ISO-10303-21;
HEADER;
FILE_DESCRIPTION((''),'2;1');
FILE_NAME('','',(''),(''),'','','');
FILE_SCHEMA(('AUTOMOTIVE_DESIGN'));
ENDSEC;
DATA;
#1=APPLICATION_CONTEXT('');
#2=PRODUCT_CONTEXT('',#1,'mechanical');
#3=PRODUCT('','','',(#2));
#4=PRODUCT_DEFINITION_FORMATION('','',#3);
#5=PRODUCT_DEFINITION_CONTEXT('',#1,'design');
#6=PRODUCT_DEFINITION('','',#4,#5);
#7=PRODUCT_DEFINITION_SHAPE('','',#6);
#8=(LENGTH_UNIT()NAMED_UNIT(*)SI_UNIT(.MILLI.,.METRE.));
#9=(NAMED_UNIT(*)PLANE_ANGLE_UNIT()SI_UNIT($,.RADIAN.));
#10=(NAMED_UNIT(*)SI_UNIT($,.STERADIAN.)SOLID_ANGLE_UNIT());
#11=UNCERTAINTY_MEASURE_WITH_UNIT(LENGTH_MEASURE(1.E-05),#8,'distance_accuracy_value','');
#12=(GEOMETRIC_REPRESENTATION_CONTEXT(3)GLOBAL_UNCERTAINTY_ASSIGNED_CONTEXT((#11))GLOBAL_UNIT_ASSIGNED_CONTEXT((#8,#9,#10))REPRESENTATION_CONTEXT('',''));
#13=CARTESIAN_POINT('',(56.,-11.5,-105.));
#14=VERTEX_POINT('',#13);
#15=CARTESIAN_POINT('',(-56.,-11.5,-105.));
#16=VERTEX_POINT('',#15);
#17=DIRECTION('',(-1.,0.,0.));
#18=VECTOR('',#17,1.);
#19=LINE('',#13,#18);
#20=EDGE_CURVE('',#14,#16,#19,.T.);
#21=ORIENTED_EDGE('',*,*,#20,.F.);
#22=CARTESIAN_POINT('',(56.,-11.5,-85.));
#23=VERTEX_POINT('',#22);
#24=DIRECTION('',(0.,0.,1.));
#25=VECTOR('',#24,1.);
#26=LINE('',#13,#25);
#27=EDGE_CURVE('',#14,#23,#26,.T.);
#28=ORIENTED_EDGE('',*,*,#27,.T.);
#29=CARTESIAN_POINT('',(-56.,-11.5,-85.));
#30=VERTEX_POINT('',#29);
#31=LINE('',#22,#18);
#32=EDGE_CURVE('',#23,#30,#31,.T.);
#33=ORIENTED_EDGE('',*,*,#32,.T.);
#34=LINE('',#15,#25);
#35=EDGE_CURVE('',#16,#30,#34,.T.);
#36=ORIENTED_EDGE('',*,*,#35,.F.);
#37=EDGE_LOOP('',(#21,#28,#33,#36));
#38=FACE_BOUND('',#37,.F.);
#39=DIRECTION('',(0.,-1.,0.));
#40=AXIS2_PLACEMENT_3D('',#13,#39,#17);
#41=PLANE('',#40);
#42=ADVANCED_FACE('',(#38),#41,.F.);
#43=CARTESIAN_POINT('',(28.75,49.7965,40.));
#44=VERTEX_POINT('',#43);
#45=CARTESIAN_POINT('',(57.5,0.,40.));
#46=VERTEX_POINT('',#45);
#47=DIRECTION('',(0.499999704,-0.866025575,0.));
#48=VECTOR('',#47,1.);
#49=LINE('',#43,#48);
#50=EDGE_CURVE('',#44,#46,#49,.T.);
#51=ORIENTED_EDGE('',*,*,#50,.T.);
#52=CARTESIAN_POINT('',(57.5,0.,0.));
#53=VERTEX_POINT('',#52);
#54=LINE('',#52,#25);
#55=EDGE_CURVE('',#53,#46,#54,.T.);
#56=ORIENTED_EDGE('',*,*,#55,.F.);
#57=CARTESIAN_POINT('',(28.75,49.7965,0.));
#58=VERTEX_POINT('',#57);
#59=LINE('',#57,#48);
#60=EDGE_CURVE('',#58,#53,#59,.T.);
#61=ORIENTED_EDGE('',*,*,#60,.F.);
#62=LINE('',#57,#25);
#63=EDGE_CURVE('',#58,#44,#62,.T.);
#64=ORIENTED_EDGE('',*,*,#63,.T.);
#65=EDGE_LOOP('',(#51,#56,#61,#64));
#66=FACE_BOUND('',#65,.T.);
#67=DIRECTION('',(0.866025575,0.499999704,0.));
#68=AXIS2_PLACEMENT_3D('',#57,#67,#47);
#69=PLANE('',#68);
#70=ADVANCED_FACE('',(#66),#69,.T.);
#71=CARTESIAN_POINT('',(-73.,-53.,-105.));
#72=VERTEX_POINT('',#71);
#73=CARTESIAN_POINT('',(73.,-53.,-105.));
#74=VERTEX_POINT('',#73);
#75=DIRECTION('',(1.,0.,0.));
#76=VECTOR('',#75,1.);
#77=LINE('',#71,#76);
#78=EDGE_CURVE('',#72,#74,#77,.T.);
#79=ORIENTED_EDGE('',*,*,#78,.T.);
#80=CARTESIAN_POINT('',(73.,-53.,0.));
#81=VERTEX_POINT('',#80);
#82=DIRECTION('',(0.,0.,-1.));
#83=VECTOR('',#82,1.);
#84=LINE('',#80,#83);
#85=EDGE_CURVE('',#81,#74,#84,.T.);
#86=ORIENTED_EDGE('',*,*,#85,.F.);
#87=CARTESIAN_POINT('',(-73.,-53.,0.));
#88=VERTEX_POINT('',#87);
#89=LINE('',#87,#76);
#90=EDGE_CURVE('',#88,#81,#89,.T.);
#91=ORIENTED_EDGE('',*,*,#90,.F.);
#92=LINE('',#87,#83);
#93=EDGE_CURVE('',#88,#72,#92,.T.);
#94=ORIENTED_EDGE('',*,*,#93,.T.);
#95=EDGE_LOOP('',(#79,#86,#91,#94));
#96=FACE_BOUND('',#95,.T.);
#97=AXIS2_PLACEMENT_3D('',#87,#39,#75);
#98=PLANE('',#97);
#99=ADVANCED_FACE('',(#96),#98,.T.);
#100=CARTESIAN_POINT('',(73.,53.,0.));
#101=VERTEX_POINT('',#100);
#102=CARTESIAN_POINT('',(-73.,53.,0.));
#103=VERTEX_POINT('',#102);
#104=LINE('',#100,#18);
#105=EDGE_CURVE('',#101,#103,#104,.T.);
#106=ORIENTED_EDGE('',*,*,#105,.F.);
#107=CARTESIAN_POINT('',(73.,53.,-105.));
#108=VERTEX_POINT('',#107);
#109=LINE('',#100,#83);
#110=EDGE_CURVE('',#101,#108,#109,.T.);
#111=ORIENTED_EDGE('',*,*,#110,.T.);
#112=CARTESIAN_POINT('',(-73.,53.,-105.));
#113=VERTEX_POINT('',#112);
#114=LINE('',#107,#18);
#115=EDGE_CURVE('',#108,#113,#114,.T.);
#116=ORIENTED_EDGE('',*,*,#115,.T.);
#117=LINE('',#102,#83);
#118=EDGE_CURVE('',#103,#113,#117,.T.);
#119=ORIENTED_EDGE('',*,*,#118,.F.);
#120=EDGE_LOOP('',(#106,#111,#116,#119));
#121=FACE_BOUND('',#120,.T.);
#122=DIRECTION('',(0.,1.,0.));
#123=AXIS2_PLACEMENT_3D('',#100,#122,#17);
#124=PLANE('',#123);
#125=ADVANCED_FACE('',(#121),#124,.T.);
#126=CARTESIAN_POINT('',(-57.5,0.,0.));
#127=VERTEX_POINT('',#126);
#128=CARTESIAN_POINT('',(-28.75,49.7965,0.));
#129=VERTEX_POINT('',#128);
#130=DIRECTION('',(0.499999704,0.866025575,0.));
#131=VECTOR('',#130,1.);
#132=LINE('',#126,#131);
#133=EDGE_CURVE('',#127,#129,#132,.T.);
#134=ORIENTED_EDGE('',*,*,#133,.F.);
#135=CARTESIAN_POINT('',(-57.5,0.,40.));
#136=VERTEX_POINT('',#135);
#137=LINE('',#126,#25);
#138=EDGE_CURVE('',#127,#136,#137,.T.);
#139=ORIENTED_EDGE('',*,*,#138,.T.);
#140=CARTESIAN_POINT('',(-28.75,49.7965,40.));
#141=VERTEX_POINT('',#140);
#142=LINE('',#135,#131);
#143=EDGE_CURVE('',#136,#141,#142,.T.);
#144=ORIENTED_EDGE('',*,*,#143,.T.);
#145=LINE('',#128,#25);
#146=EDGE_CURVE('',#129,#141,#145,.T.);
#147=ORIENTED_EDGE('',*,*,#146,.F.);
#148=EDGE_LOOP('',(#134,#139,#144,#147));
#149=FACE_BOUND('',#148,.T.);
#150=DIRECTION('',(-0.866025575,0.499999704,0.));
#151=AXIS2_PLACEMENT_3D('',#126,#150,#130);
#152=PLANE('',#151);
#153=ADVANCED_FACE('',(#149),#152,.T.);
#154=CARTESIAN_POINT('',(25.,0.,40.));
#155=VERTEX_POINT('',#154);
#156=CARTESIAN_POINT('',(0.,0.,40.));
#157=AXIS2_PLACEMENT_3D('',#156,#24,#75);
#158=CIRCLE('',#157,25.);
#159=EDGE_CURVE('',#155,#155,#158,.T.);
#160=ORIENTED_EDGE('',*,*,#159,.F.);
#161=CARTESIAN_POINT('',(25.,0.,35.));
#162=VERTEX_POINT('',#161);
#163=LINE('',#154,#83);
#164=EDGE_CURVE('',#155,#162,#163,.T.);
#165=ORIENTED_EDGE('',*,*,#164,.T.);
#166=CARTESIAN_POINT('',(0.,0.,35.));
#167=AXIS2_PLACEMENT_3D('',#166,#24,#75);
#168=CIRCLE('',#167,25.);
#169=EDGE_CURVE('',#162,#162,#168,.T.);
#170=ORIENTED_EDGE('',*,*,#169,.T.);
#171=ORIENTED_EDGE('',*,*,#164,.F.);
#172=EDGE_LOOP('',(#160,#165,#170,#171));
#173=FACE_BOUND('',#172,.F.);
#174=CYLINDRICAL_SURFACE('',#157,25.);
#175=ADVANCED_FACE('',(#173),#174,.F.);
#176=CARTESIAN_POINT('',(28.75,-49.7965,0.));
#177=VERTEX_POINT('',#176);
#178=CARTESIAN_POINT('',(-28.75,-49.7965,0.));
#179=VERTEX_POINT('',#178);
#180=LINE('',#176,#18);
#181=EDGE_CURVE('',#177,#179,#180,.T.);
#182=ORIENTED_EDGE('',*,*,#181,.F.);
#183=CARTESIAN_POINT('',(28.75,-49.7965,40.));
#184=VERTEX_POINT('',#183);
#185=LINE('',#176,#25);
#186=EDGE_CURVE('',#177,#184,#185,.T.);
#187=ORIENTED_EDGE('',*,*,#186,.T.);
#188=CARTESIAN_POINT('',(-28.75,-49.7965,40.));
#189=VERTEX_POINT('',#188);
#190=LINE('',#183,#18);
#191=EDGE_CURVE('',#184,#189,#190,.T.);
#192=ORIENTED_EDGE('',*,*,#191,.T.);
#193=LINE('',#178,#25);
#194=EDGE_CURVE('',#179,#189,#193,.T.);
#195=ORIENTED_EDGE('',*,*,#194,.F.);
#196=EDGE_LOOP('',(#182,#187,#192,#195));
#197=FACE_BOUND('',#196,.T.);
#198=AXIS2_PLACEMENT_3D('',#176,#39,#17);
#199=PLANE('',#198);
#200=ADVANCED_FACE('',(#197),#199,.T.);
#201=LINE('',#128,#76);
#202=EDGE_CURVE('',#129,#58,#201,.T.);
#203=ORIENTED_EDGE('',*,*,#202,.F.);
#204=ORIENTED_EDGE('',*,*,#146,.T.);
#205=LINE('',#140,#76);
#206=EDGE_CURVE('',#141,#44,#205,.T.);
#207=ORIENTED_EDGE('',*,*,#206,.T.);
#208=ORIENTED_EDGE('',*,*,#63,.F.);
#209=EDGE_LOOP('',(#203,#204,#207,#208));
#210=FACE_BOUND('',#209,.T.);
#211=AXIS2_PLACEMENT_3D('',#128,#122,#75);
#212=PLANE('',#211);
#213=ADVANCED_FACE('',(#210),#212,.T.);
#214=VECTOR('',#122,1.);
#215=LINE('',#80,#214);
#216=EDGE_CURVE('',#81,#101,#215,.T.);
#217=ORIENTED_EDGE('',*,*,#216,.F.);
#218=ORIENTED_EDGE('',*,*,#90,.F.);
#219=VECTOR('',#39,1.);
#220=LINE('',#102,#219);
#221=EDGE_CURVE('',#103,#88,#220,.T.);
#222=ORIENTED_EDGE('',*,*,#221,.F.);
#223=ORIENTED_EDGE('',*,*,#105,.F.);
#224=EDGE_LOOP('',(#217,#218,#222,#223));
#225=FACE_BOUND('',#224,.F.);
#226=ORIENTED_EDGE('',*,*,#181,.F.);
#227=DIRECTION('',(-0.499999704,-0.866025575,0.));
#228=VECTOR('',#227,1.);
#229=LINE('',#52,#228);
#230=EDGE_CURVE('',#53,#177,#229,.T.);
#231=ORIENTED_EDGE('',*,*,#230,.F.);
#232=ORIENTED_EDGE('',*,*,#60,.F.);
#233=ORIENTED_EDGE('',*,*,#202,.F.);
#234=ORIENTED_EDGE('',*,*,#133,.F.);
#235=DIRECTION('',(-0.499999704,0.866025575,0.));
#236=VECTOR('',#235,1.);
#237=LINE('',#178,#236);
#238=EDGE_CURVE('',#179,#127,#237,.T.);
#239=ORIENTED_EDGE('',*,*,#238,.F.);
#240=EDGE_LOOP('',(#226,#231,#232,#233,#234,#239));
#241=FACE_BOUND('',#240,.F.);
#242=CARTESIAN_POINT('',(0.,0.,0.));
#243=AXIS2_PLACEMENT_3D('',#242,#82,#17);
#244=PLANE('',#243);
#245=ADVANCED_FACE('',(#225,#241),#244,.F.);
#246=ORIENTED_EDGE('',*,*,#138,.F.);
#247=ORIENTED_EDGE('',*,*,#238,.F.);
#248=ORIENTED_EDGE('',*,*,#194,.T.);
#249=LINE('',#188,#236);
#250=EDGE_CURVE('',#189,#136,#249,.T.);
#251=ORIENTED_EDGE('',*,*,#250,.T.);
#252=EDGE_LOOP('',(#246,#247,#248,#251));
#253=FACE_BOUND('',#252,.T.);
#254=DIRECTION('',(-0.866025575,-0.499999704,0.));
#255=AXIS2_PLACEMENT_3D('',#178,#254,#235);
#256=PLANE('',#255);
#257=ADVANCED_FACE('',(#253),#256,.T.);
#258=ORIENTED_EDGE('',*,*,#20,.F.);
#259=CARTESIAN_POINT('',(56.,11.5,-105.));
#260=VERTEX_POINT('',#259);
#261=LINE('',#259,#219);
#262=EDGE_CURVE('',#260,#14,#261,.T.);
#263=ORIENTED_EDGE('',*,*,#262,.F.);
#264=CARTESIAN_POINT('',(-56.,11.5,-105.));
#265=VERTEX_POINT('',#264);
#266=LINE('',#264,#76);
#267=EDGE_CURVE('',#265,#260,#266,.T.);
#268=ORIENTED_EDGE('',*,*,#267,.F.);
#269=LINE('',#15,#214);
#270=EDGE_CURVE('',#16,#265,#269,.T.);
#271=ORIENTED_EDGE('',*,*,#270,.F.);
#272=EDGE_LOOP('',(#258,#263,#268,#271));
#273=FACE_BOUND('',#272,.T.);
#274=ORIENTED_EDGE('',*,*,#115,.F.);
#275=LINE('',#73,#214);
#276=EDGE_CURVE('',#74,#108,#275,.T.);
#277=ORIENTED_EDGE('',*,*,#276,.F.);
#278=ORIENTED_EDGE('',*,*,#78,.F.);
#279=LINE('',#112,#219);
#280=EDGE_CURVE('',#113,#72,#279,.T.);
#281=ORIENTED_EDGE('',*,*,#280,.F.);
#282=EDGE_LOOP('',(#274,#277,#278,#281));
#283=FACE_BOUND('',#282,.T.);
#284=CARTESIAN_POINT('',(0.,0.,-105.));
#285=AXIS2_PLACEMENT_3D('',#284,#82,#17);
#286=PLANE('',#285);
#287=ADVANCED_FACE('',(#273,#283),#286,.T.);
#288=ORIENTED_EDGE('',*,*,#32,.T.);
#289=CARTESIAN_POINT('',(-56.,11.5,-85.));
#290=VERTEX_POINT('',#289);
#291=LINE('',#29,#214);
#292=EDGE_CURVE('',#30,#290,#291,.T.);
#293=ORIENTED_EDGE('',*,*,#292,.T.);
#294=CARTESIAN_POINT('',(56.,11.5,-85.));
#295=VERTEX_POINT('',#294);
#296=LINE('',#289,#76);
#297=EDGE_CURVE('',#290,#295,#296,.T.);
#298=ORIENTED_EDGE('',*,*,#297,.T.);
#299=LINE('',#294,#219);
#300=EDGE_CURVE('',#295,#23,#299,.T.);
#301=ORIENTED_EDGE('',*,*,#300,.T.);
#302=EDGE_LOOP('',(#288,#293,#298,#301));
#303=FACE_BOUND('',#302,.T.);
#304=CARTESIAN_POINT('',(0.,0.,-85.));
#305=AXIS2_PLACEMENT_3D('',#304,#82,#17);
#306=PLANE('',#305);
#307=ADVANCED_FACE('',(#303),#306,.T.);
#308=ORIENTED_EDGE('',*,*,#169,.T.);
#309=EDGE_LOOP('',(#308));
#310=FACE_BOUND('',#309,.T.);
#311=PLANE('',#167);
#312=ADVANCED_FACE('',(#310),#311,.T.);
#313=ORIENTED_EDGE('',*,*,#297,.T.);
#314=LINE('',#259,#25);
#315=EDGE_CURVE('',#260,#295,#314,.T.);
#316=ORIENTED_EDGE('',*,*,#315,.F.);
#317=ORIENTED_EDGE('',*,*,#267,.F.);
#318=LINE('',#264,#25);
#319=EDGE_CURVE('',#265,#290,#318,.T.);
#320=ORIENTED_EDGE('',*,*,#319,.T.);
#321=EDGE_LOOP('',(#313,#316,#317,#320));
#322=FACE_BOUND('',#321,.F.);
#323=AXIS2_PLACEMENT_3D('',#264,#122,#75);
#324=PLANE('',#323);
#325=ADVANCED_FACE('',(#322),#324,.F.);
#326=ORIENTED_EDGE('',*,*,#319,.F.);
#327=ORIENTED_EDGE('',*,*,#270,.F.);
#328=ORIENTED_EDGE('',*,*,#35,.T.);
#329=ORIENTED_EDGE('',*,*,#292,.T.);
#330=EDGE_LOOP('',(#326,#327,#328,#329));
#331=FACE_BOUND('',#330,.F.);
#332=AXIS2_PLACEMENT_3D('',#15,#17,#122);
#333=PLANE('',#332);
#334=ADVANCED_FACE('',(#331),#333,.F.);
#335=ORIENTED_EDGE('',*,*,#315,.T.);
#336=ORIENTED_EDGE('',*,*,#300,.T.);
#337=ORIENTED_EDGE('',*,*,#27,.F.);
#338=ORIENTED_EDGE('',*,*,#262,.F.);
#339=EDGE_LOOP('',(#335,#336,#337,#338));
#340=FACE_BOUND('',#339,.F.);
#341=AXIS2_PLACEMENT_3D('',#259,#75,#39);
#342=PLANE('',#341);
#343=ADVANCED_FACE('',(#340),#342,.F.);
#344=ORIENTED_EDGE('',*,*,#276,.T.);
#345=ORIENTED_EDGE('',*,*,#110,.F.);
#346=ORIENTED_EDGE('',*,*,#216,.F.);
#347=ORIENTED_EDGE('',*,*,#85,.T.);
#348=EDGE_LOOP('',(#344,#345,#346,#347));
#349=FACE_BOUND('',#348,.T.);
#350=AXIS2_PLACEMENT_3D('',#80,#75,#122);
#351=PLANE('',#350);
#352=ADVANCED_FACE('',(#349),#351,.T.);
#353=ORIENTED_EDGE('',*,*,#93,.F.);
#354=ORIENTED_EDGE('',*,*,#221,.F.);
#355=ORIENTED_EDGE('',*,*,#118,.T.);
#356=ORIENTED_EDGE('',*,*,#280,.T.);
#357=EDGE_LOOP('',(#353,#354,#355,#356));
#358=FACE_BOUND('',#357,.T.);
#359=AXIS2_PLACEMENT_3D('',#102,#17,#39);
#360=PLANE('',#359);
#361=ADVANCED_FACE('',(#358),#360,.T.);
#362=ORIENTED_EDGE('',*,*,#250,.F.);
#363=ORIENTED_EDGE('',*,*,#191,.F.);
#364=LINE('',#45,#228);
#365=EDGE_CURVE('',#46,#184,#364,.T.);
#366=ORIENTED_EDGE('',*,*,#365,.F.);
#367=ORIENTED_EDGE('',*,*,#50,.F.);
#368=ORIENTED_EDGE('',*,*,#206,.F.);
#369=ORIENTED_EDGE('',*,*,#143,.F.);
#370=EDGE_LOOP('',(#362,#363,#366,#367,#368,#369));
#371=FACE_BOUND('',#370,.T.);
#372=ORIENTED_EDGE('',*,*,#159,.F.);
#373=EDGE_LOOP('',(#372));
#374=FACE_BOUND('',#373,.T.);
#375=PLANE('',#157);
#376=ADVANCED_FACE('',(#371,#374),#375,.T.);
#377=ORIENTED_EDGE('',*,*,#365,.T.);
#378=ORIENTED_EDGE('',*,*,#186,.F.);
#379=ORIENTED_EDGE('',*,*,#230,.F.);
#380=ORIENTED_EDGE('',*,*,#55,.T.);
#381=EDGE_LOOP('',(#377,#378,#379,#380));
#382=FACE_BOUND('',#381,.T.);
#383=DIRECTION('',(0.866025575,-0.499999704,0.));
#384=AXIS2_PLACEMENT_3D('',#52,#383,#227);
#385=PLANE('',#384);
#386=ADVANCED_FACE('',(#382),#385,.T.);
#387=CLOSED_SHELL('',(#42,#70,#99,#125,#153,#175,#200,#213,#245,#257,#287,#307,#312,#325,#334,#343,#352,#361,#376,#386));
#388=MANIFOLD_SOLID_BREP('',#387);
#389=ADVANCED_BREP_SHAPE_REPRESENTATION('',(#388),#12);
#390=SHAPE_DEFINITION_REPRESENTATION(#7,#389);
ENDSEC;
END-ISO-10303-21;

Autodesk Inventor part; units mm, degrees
ref_plane "YZ Plane" through (0, 0, 0) normal (1, 0, 0) x (0, 1, 0)
ref_plane "XZ Plane" through (0, 0, 0) normal (0, 1, 0) x (-1, 0, 0)
ref_plane "XY Plane" through (0, 0, 0) normal (0, 0, 1) x (1, 0, 0)
sketch "Sketch1" plane through (0, 0, 0) normal (0, 0, 1) x (1, 0, 0)
  line L0 (57.5, 0) -> (28.75, -49.7965)
  line L1 (28.75, -49.7965) -> (-28.75, -49.7965)
  line L2 (-28.75, -49.7965) -> (-57.5, 0)
  line L3 (-57.5, 0) -> (-28.75, 49.7965)
  line L4 (-28.75, 49.7965) -> (28.75, 49.7965)
  line L5 (28.75, 49.7965) -> (57.5, 0)
  point P0 (0, 0)
  point P1 (0, 0)
  dimension "d0" = 115
extrude "Extrusion1" add sketch "Sketch1" along normal blind 40
sketch "Sketch2" plane through (0, 0, 0) normal (0, 0, -1) x (-1, 0, 0)
  line L0 (-73, 53) -> (73, 53)
  line L1 (73, 53) -> (73, -53)
  line L2 (73, -53) -> (-73, -53)
  line L3 (-73, -53) -> (-73, 53)
  point P0 (0, 0)
  point P1 (0, 53)
  point P2 (-73, 0)
  dimension "d3" = 146
  dimension "d4" = 106
extrude "Extrusion2" add sketch "Sketch2" along normal blind 105
sketch "Sketch3" plane through (0, 0, 40) normal (0, 0, 1) x (1, 0, 0)
  circle A0 centre (0, 0) radius 25
  dimension "d7" = 50
extrude "Extrusion3" cut sketch "Sketch3" against normal blind 5
sketch "Sketch4" plane through (0, 0, -105) normal (0, 0, -1) x (-1, 0, 0)
  line L0 (56, 11.5) -> (-56, 11.5)
  line L1 (-56, 11.5) -> (-56, -11.5)
  line L2 (-56, -11.5) -> (56, -11.5)
  line L3 (56, -11.5) -> (56, 11.5)
  point P0 (0, 0)
  point P1 (56, 0)
  point P2 (0, 11.5)
  dimension "d10" = 23
  dimension "d11" = 112
extrude "Extrusion4" cut sketch "Sketch4" against normal blind 20
properties part number "link_g0" material "ABS Plastic"
